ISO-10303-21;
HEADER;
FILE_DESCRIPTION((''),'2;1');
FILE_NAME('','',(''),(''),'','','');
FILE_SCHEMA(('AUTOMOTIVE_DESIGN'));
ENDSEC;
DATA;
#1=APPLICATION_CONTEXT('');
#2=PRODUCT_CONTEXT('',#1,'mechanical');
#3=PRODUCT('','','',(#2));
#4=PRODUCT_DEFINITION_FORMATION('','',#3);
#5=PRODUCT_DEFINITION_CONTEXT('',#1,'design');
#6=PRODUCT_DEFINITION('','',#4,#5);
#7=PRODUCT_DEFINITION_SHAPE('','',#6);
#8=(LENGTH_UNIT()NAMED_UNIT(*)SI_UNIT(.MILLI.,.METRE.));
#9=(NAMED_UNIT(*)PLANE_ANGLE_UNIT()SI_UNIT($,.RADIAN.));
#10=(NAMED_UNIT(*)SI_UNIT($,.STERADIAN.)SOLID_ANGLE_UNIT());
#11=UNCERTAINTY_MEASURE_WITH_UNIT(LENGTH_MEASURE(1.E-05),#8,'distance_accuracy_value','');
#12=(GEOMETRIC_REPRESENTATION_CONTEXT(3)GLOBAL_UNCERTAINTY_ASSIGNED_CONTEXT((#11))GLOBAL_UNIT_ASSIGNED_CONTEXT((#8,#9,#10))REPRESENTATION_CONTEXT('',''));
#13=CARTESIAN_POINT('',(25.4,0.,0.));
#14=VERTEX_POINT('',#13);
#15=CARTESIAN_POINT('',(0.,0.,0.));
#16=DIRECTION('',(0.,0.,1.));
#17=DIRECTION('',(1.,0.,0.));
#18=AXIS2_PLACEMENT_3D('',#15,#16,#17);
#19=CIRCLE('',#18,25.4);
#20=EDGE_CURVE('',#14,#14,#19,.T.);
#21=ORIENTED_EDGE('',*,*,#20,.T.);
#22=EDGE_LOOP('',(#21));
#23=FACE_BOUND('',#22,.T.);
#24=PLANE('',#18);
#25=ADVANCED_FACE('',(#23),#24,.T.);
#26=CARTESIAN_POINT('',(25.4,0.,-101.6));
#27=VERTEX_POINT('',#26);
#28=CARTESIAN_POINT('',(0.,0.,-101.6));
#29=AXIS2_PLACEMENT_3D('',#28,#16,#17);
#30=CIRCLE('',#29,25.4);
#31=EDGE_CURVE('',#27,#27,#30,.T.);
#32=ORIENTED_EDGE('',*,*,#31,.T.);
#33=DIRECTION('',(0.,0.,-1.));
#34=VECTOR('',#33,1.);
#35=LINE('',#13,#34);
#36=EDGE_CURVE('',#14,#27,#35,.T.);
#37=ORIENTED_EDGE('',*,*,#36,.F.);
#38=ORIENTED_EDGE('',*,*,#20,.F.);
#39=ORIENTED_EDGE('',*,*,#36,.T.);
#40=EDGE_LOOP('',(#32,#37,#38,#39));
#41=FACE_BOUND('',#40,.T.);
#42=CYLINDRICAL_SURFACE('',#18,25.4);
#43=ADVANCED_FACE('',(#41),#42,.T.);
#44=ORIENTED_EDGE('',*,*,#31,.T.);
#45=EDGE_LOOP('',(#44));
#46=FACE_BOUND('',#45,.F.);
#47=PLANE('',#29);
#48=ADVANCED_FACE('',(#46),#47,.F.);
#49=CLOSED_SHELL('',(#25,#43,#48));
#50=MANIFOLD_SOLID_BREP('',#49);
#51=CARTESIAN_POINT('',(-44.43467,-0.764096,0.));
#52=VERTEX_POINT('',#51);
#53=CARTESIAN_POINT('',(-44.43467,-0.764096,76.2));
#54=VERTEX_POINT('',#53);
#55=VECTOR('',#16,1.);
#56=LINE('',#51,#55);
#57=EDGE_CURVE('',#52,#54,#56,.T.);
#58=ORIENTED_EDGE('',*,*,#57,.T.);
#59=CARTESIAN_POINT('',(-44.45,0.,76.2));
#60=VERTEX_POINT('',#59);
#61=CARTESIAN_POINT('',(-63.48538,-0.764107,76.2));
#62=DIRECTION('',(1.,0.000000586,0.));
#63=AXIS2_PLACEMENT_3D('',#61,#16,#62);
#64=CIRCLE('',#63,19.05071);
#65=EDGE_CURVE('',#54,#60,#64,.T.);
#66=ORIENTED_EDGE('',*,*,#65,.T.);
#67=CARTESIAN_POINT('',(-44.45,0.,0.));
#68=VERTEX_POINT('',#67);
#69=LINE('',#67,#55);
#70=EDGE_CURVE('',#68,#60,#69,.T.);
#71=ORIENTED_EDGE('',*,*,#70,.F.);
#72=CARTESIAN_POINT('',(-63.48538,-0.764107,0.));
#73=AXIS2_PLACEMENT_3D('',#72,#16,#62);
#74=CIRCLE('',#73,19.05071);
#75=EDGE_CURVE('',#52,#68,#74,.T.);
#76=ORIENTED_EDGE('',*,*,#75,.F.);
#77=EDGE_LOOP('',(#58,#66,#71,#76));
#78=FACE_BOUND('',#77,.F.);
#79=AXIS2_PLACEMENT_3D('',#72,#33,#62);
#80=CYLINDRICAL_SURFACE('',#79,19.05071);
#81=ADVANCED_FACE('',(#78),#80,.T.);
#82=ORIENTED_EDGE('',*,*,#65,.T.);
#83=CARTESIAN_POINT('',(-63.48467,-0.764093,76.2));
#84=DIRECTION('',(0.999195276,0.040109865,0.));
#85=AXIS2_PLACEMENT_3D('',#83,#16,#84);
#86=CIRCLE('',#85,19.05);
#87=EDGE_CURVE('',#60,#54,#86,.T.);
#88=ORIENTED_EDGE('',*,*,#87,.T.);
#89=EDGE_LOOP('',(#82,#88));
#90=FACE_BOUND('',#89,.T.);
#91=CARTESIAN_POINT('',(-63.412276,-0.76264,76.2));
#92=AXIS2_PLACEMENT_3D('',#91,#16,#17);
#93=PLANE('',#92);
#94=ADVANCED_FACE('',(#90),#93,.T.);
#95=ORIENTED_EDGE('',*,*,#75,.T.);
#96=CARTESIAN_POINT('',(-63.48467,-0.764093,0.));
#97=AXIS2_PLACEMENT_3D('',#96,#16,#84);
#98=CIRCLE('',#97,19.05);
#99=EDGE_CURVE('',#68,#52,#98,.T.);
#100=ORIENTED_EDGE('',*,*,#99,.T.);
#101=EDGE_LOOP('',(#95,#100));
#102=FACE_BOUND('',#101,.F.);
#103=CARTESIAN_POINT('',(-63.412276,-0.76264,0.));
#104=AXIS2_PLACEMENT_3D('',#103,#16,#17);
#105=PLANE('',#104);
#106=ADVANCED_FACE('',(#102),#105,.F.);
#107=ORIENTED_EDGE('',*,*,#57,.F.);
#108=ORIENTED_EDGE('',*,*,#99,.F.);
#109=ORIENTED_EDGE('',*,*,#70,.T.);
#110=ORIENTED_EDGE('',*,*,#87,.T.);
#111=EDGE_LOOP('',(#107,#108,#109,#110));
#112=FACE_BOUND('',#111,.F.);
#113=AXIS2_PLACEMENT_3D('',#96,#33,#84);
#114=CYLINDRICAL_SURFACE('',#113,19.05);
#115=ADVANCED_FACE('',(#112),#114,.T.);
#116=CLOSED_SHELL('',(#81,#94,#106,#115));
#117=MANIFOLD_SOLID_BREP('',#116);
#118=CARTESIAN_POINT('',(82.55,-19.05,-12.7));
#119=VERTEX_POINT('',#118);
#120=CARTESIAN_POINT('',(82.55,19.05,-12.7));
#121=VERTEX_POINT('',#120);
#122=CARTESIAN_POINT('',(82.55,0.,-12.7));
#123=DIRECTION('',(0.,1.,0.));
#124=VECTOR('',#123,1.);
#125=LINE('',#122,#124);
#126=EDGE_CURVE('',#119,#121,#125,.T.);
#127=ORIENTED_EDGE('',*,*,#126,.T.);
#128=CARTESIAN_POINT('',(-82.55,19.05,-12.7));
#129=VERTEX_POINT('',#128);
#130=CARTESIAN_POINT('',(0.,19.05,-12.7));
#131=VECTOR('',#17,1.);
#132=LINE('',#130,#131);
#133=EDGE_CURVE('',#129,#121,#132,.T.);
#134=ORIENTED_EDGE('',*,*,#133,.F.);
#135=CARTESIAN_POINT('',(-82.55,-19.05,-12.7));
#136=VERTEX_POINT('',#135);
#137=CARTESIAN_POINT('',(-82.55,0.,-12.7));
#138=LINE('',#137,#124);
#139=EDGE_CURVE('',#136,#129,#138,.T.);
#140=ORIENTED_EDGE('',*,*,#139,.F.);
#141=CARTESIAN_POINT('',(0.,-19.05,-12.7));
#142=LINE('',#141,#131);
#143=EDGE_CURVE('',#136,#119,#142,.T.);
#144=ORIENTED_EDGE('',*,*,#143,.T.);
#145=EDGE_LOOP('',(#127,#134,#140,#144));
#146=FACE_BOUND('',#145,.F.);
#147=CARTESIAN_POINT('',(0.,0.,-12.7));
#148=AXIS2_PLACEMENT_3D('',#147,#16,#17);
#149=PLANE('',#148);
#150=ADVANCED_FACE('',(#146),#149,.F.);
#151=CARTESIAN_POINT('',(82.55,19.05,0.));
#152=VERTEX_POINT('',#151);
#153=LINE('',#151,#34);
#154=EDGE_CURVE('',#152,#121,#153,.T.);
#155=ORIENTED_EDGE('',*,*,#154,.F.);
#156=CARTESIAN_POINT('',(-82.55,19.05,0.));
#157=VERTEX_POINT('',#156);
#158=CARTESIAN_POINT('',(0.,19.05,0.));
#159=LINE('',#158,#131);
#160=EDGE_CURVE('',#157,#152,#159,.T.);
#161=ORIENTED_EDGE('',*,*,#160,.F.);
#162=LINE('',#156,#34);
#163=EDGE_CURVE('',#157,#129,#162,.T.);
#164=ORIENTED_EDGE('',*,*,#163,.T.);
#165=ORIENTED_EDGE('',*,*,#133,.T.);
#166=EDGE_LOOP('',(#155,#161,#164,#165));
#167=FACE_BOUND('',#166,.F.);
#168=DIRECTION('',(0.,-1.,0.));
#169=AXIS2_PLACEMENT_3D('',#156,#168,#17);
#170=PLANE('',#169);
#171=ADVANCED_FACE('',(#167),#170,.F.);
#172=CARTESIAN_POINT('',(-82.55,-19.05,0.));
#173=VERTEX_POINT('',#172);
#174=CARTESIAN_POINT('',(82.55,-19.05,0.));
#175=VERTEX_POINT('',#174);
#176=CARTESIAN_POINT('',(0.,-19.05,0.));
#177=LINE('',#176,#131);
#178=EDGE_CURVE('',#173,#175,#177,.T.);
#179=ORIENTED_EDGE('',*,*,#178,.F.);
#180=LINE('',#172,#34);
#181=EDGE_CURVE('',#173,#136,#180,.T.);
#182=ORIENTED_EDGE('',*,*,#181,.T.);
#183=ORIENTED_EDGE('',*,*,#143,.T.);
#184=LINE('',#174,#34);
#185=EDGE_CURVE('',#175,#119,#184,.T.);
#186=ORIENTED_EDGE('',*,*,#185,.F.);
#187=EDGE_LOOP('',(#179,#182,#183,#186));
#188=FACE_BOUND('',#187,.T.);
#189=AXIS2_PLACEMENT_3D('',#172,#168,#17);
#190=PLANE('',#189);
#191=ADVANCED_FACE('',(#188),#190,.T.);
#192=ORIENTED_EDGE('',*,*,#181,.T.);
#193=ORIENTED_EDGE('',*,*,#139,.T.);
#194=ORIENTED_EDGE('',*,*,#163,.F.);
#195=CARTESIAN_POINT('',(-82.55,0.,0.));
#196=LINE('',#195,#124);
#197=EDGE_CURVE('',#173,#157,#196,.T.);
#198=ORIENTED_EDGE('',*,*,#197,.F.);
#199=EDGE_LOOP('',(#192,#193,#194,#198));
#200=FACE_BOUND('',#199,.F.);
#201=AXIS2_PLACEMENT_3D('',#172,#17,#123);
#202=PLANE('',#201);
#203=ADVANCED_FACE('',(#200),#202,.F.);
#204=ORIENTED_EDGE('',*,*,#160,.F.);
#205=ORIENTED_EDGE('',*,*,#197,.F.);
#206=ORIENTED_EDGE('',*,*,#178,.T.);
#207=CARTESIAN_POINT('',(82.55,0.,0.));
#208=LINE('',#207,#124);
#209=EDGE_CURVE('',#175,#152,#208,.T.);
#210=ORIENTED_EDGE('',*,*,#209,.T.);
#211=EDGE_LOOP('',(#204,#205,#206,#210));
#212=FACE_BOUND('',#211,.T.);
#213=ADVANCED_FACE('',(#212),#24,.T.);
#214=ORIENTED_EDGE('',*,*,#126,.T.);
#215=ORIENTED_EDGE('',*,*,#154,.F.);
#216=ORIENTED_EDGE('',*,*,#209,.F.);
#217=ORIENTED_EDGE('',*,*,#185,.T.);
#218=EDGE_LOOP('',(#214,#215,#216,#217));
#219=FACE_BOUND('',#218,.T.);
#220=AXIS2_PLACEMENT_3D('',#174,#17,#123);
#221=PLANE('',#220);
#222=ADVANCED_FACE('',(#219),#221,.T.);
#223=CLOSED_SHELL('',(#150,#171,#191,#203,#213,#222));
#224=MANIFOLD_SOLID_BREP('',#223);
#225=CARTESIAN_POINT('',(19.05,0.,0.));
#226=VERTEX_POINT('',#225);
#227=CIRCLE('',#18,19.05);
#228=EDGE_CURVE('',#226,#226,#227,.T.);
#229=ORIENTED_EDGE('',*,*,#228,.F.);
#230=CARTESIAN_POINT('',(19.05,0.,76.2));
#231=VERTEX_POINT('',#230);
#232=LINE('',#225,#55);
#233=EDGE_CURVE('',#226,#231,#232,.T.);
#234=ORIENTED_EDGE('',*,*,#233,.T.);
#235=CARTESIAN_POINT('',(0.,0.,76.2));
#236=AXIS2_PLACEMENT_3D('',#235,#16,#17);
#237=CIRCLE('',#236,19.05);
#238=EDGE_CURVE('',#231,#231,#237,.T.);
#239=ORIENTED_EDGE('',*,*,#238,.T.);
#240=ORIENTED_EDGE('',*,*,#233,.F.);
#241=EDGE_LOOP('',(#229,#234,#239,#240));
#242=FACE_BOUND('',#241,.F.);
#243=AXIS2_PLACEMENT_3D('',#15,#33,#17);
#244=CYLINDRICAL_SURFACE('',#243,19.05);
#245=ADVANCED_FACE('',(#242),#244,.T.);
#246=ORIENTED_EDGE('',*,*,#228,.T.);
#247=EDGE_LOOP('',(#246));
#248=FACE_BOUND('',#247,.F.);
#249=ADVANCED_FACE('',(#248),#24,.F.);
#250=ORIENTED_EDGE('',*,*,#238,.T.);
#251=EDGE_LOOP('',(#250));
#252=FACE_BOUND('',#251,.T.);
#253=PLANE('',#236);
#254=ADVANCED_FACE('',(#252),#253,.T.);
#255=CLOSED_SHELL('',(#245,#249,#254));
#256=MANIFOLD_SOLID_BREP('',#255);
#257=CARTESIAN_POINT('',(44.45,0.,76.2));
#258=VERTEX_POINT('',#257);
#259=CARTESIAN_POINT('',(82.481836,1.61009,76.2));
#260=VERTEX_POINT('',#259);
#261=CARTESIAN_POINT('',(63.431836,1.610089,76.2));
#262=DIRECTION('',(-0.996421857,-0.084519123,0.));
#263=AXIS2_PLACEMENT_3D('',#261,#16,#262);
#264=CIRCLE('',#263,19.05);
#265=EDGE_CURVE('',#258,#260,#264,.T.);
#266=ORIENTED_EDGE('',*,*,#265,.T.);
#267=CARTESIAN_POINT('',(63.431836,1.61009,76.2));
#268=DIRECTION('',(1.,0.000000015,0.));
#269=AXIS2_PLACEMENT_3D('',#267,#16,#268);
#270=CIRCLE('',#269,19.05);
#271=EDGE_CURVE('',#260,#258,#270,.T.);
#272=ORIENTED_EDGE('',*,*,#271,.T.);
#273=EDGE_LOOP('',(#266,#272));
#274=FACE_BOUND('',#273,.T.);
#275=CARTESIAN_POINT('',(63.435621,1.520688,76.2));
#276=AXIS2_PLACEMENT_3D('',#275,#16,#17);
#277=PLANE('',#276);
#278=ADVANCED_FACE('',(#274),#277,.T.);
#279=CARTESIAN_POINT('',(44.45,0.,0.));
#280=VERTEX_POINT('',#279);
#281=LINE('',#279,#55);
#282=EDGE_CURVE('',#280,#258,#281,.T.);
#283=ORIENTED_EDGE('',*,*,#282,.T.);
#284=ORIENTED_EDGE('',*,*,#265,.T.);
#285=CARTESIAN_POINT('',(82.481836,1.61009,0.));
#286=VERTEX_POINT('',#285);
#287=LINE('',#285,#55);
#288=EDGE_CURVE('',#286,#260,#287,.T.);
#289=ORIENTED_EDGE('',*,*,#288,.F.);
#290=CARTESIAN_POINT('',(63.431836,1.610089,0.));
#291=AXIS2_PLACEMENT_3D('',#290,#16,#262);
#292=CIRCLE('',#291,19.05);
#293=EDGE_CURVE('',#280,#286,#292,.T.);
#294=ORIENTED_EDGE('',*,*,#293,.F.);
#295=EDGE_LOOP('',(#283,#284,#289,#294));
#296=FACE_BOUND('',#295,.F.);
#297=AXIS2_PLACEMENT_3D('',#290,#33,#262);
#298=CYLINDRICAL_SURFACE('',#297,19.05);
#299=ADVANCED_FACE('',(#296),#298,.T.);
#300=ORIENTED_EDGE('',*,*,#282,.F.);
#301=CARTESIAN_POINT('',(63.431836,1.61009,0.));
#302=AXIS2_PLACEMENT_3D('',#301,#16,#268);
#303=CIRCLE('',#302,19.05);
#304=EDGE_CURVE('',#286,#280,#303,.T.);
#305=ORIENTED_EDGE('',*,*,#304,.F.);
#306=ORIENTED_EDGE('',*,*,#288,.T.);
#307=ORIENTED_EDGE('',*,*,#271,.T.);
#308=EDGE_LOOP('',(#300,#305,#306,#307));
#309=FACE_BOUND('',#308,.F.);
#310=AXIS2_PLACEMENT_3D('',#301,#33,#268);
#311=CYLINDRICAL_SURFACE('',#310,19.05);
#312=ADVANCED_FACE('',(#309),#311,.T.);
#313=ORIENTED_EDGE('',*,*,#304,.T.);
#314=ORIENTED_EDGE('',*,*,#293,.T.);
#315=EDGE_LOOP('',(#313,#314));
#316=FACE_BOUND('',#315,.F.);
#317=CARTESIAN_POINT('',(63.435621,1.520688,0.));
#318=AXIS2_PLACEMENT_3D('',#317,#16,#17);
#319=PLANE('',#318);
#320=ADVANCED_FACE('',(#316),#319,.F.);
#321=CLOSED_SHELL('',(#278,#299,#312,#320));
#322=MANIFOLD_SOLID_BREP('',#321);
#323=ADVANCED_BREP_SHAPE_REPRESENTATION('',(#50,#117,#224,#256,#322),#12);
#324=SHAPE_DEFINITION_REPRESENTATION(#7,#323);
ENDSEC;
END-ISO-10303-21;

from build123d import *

# Parameters (mm, degrees)
F3_DEPTH = 76.2
F1_W     = 165.1
F1_H     = 38.1
F4_DEPTH = 12.7
F2_R     = 25.4
F5_DEPTH = 101.6


with BuildPart() as f3:
    # F0 (on Top) → F3 (new body)
    with BuildSketch(Plane.XY):
        with BuildLine():
            ThreePointArc((-19.05, 0), (0, -19.05), (19.05, 0))
            ThreePointArc((19.05, 0), (0, 19.05), (-19.05, 0))
        make_face()
        with BuildLine():
            ThreePointArc((-44.43467, -0.764096), (-44.438503, -0.381971), (-44.45, 0))
            ThreePointArc((-44.45, 0), (-82.530837, -1.146221), (-44.43467, -0.764096))
        make_face()
        with BuildLine():
            ThreePointArc((82.481836, 1.61009), (62.62607, 20.643041), (44.45, 0))
            ThreePointArc((44.45, 0), (64.237602, -17.422862), (82.481836, 1.61009))
        make_face()
    extrude(amount=F3_DEPTH)


with BuildPart() as f4:
    # F1 (on Top) → F4 (new body)
    with BuildSketch(Plane.XY):
        Rectangle(F1_W, F1_H)
    extrude(amount=-F4_DEPTH)


with BuildPart() as f5:
    # F2 (on Top) → F5 (new body)
    with BuildSketch(Plane.XY):
        Circle(F2_R)
    extrude(amount=-F5_DEPTH)


solid = Compound([f3.part, f4.part, f5.part])
